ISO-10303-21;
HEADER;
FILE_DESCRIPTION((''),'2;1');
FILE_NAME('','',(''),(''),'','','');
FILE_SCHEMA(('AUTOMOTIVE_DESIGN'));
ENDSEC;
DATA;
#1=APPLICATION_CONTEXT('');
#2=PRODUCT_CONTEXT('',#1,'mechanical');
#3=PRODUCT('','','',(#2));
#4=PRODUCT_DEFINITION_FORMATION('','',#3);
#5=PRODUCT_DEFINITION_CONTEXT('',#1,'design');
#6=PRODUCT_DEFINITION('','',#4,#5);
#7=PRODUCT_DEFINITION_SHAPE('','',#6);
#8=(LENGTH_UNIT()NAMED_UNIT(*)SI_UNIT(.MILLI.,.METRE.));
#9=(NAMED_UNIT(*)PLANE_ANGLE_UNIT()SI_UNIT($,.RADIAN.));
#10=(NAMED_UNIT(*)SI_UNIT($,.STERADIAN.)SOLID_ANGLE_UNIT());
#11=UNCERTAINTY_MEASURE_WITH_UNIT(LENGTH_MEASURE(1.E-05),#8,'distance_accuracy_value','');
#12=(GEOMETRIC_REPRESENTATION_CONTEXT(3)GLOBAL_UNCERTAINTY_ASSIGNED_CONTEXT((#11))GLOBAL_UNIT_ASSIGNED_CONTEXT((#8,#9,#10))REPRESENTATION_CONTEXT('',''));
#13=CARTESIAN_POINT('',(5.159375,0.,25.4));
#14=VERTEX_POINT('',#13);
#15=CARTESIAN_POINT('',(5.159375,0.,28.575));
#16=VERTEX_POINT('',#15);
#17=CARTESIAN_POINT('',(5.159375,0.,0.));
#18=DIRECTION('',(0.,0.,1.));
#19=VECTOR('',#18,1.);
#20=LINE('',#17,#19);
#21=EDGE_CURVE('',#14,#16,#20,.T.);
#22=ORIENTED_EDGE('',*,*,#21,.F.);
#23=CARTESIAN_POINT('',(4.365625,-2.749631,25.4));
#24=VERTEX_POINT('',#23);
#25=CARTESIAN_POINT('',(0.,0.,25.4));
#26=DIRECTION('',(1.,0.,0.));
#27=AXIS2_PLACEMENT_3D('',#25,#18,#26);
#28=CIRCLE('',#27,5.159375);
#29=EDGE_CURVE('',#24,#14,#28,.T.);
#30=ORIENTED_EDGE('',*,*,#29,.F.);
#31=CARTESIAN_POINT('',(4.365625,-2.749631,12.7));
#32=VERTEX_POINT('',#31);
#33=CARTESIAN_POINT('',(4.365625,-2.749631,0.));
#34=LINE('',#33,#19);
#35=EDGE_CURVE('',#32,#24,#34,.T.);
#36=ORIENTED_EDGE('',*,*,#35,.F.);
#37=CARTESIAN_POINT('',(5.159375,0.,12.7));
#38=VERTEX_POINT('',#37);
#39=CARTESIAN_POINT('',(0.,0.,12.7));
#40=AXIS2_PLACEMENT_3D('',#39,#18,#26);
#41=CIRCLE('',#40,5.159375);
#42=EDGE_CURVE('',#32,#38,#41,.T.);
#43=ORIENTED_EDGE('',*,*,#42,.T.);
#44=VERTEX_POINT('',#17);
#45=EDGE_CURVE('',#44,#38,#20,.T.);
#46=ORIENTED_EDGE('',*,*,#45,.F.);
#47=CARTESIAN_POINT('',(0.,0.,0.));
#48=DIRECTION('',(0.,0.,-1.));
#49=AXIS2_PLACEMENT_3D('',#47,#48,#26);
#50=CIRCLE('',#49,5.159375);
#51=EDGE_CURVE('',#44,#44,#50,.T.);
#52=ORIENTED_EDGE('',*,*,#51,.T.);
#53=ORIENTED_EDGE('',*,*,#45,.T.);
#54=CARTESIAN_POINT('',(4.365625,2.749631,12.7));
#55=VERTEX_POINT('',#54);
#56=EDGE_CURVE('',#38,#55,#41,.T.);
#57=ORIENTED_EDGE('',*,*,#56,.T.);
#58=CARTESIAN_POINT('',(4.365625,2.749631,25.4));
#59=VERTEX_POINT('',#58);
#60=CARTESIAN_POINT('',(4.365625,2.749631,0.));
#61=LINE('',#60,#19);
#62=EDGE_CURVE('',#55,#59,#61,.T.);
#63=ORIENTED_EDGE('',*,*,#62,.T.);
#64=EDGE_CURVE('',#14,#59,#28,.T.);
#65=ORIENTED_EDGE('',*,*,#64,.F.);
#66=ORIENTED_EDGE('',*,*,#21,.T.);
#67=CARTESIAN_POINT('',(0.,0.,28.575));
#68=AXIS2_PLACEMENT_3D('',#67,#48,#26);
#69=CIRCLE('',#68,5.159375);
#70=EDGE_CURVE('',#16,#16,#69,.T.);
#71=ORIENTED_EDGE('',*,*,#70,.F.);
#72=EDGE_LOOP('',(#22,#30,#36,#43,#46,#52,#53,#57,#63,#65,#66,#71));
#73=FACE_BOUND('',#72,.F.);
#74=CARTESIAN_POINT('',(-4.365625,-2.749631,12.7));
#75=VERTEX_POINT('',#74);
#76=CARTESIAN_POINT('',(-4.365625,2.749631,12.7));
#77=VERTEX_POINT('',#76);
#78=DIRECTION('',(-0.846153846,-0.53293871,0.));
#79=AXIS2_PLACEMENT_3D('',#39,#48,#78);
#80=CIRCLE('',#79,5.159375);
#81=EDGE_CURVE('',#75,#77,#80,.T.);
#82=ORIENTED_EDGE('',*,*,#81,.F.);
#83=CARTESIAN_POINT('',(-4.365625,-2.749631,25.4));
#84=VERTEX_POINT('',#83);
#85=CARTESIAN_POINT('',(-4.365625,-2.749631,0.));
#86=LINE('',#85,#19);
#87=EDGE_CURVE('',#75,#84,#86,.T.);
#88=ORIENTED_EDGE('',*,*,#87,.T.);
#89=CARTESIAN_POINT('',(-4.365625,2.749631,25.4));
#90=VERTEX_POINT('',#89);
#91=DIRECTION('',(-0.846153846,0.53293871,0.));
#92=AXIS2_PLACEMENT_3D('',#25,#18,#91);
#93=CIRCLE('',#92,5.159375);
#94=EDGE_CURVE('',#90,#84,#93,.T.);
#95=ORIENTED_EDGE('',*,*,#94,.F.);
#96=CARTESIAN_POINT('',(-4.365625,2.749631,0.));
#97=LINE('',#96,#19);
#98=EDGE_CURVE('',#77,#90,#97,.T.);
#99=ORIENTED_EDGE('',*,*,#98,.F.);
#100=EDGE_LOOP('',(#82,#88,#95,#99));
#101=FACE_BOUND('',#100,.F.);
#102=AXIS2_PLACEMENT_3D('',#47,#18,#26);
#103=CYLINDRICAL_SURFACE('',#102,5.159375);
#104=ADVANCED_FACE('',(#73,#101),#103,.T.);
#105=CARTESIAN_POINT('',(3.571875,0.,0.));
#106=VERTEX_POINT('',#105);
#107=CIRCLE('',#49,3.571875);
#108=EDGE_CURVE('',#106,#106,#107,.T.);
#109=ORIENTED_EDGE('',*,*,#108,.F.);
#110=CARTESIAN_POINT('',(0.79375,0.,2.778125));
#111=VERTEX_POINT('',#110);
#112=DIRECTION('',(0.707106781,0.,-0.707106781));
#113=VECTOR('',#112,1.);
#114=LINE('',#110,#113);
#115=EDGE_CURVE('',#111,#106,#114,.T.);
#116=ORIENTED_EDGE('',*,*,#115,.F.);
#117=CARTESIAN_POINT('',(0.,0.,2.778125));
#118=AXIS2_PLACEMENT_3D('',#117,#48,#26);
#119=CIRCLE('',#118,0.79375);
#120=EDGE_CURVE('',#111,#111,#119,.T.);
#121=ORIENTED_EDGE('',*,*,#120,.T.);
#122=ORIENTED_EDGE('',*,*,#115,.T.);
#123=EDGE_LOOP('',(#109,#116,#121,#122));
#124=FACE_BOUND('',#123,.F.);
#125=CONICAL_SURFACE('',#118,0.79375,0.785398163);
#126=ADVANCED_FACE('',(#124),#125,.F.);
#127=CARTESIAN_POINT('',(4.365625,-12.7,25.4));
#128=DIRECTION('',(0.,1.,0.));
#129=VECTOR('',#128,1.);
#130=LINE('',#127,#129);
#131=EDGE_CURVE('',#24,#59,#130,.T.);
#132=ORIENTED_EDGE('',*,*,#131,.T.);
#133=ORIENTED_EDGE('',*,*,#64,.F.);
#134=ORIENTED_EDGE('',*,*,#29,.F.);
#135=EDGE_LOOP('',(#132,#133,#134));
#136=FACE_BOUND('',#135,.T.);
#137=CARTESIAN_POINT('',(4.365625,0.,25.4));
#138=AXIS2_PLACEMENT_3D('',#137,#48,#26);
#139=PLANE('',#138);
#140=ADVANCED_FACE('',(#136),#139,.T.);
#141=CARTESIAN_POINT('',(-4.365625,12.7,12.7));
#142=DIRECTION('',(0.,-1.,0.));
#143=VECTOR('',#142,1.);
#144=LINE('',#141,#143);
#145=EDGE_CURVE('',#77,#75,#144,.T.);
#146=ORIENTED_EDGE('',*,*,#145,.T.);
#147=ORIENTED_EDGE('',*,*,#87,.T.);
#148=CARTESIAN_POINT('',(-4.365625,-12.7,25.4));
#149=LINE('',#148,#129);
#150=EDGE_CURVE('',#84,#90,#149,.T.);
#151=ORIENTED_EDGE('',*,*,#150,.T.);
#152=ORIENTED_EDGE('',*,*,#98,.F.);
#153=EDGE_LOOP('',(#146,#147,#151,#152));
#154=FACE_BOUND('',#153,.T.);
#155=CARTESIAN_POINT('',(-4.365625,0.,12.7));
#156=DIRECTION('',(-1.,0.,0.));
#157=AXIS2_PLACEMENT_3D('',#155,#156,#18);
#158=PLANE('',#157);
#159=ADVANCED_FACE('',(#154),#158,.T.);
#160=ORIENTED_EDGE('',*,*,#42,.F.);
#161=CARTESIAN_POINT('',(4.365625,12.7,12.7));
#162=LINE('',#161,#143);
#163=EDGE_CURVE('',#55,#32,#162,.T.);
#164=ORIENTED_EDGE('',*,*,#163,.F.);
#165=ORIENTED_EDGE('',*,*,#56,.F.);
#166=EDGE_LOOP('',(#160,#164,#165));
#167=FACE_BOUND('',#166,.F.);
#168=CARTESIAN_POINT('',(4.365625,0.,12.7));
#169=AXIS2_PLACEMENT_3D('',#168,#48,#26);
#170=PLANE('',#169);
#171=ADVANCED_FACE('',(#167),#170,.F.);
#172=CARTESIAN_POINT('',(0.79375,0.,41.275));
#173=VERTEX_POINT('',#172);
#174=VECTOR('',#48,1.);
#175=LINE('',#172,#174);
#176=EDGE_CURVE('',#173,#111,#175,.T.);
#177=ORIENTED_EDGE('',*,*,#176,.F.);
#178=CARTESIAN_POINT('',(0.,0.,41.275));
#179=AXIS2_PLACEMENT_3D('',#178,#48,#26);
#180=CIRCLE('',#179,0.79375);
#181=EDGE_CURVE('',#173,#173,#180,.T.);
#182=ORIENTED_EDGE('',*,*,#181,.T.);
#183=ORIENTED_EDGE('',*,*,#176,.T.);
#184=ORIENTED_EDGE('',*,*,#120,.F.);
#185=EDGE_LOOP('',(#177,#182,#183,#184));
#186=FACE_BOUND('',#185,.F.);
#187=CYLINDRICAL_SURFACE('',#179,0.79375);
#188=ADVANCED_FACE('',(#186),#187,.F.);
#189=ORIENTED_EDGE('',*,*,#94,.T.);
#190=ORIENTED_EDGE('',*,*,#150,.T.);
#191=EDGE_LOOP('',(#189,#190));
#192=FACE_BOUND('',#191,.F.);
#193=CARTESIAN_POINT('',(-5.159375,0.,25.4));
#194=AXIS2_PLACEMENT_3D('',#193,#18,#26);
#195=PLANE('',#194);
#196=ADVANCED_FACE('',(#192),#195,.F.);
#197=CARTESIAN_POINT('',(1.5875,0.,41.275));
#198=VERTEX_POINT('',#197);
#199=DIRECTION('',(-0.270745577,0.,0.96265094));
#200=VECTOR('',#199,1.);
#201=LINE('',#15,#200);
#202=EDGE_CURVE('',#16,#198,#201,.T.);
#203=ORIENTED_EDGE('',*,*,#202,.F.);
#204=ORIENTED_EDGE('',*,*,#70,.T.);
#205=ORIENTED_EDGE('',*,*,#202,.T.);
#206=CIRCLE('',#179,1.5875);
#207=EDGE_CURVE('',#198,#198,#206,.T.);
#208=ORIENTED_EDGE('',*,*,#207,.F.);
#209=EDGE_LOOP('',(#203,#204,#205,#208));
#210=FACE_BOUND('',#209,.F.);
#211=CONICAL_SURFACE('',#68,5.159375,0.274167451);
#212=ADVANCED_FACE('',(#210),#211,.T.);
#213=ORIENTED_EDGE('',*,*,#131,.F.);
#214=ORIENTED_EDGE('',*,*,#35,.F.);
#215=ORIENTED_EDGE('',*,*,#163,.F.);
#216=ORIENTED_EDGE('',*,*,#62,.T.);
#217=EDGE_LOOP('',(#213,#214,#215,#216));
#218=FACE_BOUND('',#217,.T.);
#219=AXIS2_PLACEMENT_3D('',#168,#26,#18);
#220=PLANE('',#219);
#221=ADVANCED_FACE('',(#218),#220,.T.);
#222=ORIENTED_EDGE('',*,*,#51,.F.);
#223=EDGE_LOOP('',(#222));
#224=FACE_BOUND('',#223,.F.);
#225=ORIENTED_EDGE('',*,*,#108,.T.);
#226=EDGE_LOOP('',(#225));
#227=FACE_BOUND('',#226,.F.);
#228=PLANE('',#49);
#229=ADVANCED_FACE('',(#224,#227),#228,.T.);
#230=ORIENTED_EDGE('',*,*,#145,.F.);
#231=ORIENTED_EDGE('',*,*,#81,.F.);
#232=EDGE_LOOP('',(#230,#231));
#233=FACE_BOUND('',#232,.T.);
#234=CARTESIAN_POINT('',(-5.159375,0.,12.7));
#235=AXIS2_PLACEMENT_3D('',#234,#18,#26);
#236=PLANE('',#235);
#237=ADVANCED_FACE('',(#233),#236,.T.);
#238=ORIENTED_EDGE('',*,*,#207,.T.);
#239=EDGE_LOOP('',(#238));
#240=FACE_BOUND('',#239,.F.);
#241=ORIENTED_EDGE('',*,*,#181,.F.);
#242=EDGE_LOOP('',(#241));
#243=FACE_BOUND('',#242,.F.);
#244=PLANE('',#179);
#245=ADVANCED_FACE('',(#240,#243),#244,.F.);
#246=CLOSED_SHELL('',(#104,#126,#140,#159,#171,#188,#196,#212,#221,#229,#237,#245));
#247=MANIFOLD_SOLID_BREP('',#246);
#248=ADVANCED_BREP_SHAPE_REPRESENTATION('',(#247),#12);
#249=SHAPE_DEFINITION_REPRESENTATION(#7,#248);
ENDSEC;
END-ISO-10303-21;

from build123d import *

# Parameters (mm, degrees)
F2_W     = 0.79375
F2_H     = 12.7
F3_DEPTH = 12.7


with BuildPart() as f1:
    # F0 (on Front) → F1 (revolve)
    with BuildSketch(Plane.XZ):
        Polygon((3.571875, 0), (5.159375, 0), (5.159375, 28.575), (1.5875, 41.275), (0.79375, 41.275), (0.79375, 2.778125), align=None)
    revolve(axis=Axis((0, 0, 23.459722), (0, 0, -1)))

    # F2 (on Front) → F3 (cut, symmetric)
    with BuildSketch(Plane.XZ):
        with Locations((-4.7625, 19.05)):
            Rectangle(F2_W, F2_H)
        with Locations((4.7625, 19.05)):
            Rectangle(F2_W, F2_H)
    extrude(amount=F3_DEPTH, both=True, mode=Mode.SUBTRACT)


solid = f1.part
